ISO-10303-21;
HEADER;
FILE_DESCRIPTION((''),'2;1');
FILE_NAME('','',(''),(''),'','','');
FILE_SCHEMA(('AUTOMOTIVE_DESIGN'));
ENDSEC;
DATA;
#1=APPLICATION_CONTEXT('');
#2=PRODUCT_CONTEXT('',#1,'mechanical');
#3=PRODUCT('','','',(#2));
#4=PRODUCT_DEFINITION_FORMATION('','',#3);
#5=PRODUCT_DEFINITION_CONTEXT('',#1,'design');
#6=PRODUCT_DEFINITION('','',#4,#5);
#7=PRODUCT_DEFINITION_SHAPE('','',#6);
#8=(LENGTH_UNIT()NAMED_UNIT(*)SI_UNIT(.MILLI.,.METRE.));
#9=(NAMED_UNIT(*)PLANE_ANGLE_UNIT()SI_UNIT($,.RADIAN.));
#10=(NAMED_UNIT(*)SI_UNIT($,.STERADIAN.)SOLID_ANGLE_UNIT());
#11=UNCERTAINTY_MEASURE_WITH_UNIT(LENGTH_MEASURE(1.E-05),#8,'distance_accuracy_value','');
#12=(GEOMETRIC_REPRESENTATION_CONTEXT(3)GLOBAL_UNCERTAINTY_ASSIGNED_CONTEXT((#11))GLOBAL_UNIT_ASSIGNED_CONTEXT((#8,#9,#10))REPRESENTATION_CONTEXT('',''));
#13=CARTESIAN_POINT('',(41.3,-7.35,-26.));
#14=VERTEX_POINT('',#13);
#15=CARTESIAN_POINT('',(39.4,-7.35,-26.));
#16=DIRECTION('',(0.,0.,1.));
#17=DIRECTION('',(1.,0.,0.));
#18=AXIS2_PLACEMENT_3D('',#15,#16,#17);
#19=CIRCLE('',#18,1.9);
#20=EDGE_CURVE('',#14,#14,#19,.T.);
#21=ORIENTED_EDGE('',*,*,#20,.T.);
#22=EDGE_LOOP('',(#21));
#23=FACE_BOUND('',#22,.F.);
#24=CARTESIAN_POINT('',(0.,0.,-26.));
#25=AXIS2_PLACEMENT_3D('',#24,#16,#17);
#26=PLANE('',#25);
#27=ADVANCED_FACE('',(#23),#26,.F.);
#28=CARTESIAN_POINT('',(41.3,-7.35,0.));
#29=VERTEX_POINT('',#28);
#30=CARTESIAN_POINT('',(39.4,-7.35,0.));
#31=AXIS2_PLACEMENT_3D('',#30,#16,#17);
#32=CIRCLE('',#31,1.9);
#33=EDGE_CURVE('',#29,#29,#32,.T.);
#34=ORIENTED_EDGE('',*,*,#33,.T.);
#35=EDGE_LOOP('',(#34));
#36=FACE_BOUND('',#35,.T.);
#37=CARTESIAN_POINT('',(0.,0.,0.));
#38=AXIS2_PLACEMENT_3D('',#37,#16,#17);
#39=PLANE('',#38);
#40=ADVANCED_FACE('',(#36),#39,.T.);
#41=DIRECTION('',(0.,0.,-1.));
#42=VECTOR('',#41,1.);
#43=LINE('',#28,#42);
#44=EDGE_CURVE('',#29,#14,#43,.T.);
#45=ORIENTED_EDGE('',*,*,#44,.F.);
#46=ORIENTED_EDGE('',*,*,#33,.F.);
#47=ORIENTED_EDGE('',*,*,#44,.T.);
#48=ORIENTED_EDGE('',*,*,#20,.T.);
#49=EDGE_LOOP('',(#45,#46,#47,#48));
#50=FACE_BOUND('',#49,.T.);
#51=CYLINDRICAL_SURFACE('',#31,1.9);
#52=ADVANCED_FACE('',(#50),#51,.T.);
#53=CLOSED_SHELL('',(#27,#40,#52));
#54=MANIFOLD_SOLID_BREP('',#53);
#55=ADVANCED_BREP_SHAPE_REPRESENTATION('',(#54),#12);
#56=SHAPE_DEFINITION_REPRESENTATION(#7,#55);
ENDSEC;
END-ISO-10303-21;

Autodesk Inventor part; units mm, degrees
ref_plane "YZ Plane" through (0, 0, 0) normal (1, 0, 0) x (0, 1, 0)
ref_plane "XZ Plane" through (0, 0, 0) normal (0, 1, 0) x (-1, 0, 0)
ref_plane "XY Plane" through (0, 0, 0) normal (0, 0, 1) x (1, 0, 0)
sketch "Sketch1" plane through (0, 0, 0) normal (0, 0, 1) x (1, 0, 0)
  circle A0 centre (39.4, -7.35) radius 1.9 projected
  point P0 (0, 0)
  dimension "d0" = 26
extrude "Extrusion1" add sketch "Sketch1" against normal blind 26
properties part number "eje"
